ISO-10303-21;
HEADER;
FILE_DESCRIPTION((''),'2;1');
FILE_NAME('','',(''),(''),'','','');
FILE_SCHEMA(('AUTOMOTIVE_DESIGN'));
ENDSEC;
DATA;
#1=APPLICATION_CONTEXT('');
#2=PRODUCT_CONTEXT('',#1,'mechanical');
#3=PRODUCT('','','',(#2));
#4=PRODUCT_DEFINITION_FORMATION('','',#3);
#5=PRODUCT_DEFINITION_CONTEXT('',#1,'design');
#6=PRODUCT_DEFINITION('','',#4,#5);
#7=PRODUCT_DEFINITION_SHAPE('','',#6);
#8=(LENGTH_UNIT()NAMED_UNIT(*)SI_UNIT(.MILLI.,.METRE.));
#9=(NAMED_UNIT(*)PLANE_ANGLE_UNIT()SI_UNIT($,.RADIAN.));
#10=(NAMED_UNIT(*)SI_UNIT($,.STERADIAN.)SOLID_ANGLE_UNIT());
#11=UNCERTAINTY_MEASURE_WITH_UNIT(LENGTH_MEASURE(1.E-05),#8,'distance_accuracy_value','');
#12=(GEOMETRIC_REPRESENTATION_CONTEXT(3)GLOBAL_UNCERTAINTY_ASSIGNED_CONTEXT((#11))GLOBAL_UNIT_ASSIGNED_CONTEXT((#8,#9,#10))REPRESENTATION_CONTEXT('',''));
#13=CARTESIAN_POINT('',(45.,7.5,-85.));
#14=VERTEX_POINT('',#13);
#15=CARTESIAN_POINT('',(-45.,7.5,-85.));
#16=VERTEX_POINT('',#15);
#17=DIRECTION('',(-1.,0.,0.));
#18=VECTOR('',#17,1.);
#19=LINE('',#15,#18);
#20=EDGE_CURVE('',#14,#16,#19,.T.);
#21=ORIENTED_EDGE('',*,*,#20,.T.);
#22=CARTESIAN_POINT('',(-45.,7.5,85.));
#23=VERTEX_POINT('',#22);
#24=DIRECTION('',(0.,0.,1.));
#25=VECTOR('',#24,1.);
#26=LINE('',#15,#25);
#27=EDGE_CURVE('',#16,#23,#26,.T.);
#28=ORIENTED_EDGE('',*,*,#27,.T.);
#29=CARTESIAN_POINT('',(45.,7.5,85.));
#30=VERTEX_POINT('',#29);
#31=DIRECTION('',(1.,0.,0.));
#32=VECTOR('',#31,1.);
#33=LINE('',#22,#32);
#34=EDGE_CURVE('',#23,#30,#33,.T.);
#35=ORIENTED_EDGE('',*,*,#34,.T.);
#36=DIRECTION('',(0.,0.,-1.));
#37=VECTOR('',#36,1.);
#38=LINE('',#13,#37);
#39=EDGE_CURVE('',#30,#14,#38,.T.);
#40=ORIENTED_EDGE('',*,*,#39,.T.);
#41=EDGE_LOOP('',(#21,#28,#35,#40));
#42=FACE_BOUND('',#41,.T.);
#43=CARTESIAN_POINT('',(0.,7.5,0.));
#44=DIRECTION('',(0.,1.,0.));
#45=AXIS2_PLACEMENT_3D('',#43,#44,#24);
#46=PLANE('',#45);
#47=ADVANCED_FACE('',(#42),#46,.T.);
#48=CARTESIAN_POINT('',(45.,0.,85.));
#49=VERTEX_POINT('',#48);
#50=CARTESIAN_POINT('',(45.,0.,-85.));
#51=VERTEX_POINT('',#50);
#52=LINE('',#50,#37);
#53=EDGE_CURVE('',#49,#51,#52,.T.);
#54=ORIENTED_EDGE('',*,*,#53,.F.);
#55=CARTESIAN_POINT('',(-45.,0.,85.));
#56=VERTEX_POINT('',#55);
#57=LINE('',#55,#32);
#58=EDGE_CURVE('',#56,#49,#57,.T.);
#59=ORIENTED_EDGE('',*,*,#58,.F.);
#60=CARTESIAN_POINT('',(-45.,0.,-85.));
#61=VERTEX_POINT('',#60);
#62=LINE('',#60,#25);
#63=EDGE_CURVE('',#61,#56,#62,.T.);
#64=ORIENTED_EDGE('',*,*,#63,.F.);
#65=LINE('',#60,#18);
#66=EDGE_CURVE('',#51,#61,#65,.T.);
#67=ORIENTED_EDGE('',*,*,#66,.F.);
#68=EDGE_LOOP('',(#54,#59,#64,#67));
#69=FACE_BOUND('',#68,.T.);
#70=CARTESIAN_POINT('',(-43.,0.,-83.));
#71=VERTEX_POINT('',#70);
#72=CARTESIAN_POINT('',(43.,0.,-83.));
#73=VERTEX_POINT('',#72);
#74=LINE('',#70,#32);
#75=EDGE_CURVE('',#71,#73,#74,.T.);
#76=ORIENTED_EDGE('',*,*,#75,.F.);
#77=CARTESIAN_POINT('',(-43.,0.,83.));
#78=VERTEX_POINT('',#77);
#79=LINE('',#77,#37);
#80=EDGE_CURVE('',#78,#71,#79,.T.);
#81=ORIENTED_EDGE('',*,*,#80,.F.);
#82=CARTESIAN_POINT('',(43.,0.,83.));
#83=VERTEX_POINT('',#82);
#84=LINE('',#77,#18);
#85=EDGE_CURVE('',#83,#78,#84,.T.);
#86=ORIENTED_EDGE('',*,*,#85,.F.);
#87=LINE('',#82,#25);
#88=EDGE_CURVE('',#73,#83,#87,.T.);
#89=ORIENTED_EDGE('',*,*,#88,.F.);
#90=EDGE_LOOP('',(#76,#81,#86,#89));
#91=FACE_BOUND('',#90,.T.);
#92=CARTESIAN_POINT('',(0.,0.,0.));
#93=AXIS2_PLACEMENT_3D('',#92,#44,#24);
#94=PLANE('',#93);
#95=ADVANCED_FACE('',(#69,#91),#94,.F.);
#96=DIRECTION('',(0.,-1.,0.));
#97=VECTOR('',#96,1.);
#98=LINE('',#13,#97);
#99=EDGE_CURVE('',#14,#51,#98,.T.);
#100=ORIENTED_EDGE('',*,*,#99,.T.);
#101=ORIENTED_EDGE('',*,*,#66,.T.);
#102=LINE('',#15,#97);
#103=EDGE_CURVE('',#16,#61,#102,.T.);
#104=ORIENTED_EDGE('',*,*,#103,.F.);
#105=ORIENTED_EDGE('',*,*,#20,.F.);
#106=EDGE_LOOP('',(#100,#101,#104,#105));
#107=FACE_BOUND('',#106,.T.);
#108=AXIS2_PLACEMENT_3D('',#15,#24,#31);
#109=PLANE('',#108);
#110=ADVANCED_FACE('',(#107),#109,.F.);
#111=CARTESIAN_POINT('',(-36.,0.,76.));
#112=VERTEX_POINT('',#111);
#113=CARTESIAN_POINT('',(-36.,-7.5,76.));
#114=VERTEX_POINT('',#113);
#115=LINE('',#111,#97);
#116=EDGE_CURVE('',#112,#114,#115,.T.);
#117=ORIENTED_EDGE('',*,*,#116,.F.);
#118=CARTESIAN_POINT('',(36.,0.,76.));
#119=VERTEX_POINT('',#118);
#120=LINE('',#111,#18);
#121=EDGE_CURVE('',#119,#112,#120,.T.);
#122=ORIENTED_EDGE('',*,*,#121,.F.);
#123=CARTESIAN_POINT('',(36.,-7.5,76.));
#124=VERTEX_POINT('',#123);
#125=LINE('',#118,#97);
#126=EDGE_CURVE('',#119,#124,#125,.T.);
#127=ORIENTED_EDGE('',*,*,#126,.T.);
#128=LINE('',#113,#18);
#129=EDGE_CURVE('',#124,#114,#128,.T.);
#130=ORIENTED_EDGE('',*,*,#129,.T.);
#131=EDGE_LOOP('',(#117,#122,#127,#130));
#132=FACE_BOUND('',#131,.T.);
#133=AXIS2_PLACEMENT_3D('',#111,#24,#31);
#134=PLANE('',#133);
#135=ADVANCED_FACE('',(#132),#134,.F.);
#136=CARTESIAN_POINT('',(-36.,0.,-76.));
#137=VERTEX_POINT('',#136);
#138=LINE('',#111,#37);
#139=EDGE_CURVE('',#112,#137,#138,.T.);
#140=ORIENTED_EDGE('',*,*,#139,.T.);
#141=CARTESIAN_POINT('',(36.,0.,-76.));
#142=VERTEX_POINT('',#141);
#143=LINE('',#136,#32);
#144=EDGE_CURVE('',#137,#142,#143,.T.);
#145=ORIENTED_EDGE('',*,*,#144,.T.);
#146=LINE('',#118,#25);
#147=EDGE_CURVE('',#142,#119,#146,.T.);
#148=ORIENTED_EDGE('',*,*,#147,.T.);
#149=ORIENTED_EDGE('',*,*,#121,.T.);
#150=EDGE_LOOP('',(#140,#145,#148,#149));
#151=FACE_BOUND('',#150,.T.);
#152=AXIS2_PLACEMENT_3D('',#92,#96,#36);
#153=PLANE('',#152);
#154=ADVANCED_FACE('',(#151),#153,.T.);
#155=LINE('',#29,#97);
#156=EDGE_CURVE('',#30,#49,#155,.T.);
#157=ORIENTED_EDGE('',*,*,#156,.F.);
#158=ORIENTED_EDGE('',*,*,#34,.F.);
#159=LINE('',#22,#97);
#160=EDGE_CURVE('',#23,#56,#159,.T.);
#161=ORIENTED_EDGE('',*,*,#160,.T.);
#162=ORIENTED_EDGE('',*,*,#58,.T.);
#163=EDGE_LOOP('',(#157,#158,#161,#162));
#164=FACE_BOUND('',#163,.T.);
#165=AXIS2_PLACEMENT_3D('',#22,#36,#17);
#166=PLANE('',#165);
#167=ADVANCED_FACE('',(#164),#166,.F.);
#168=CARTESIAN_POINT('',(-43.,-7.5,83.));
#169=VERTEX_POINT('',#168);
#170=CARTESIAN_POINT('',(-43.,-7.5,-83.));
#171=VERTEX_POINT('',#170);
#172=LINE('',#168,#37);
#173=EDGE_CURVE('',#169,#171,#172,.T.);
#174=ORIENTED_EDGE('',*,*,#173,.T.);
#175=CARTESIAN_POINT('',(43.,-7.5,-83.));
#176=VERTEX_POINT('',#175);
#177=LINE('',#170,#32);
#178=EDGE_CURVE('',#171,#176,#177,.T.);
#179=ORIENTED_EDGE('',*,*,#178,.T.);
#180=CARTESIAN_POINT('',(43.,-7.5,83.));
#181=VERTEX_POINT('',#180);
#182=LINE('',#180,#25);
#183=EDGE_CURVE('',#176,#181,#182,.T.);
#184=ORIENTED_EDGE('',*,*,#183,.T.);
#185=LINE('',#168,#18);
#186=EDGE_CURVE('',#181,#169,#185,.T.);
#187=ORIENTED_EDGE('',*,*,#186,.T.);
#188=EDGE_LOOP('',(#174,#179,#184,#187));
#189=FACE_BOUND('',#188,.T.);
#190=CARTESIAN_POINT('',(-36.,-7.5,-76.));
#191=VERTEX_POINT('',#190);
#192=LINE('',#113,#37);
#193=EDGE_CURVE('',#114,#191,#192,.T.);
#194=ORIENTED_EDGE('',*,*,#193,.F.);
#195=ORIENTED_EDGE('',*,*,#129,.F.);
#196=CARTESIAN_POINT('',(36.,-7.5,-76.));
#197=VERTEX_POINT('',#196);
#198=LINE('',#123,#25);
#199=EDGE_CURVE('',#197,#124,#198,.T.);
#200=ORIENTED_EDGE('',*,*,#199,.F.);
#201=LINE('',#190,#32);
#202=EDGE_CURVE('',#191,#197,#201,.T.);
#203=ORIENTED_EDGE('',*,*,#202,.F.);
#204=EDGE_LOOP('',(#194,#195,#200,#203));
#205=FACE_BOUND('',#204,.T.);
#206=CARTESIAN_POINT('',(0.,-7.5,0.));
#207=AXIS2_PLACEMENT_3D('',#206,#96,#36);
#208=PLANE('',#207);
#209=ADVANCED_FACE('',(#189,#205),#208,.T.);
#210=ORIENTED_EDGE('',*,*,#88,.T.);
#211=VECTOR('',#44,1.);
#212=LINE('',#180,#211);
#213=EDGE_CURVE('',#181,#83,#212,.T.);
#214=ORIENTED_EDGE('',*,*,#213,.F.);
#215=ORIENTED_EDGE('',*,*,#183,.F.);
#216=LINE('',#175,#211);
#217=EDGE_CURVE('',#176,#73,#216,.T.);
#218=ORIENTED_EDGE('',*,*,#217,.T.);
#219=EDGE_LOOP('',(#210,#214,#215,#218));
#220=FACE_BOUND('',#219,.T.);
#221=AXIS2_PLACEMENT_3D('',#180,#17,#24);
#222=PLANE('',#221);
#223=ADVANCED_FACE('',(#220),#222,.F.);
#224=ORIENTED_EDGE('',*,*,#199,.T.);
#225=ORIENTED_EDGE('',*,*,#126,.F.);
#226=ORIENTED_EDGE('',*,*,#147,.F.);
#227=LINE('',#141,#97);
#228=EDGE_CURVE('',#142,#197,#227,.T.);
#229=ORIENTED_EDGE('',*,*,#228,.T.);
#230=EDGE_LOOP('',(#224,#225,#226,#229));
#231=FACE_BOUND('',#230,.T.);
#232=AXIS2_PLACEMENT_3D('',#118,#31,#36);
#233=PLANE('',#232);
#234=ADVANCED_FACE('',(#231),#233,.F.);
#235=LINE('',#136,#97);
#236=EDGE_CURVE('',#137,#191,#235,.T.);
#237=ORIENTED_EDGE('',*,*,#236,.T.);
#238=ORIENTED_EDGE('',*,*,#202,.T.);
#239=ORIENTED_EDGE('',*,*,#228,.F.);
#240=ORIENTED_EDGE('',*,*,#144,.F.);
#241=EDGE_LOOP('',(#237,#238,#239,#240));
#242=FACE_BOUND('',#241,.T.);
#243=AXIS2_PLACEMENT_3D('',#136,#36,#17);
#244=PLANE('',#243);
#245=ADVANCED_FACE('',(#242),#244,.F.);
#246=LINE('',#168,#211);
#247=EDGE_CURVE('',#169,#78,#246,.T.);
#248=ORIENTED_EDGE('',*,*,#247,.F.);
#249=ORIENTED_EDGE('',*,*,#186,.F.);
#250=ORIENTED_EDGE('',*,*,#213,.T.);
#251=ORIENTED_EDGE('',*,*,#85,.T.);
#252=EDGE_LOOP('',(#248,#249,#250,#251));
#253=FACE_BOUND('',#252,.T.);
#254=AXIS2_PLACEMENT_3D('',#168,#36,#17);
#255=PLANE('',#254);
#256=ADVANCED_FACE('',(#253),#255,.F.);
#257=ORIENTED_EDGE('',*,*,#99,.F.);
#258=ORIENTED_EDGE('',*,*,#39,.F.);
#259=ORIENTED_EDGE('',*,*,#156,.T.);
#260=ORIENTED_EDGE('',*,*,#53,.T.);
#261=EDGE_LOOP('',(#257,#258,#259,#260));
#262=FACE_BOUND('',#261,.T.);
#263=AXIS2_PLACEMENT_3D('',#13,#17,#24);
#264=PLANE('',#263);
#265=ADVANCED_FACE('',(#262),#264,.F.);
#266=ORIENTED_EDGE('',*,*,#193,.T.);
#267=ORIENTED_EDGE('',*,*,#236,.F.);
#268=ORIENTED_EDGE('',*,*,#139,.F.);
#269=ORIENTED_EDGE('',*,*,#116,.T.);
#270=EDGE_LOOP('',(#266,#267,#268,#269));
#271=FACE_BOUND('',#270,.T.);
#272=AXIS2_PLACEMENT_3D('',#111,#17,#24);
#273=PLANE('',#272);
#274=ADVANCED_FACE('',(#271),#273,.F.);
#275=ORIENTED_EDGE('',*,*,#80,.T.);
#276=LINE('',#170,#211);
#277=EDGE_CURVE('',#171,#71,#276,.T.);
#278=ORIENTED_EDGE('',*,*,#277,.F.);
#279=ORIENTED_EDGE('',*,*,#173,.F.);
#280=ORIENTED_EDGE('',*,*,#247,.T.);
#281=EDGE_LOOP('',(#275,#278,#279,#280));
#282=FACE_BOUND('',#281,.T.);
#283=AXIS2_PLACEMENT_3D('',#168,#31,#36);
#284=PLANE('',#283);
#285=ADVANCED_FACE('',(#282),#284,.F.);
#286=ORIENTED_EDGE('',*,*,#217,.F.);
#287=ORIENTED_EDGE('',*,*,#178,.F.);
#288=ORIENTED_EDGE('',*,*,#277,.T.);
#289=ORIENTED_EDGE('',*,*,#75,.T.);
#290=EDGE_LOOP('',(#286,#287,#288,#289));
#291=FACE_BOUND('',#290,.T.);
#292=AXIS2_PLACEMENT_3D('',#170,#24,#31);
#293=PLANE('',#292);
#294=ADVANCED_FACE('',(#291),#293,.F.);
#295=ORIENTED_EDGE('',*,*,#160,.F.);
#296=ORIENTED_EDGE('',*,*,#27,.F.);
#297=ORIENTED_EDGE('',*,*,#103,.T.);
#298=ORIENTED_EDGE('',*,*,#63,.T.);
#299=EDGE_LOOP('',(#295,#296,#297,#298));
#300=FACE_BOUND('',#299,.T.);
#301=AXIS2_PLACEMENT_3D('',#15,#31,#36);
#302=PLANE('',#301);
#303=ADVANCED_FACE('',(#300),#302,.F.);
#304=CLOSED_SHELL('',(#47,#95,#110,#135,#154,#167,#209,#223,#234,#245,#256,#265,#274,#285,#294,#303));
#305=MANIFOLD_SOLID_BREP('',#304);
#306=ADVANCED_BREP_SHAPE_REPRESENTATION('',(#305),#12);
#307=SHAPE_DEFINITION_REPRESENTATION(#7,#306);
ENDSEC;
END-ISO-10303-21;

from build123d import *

# Parameters (mm, degrees)
SKETCH1_W           = 90
SKETCH1_H           = 170
BOSS_EXTRUDE1_DEPTH = 7.5
SKETCH2_W           = 86
SKETCH2_H           = 166
BOSS_EXTRUDE2_DEPTH = 7.5
SKETCH5_W           = 72
SKETCH5_H           = 152
CUT_EXTRUDE1_DEPTH  = 7.5


with BuildPart() as part:
    # Sketch1 → Boss-Extrude1 (new body)
    with BuildSketch(Plane(origin=(0, 0, 0), x_dir=(1, 0, 0), z_dir=(0, 1, 0))):
        Rectangle(SKETCH1_W, SKETCH1_H)
    extrude(amount=BOSS_EXTRUDE1_DEPTH)

    # Sketch2 → Boss-Extrude2 (add)
    with BuildSketch(Plane.XZ):
        Rectangle(SKETCH2_W, SKETCH2_H)
    extrude(amount=BOSS_EXTRUDE2_DEPTH)

    # Sketch5 → Cut-Extrude1 (cut)
    with BuildSketch(Plane.XZ.offset(7.5)):
        Rectangle(SKETCH5_W, SKETCH5_H)
    extrude(amount=-CUT_EXTRUDE1_DEPTH, mode=Mode.SUBTRACT)


solid = part.part
